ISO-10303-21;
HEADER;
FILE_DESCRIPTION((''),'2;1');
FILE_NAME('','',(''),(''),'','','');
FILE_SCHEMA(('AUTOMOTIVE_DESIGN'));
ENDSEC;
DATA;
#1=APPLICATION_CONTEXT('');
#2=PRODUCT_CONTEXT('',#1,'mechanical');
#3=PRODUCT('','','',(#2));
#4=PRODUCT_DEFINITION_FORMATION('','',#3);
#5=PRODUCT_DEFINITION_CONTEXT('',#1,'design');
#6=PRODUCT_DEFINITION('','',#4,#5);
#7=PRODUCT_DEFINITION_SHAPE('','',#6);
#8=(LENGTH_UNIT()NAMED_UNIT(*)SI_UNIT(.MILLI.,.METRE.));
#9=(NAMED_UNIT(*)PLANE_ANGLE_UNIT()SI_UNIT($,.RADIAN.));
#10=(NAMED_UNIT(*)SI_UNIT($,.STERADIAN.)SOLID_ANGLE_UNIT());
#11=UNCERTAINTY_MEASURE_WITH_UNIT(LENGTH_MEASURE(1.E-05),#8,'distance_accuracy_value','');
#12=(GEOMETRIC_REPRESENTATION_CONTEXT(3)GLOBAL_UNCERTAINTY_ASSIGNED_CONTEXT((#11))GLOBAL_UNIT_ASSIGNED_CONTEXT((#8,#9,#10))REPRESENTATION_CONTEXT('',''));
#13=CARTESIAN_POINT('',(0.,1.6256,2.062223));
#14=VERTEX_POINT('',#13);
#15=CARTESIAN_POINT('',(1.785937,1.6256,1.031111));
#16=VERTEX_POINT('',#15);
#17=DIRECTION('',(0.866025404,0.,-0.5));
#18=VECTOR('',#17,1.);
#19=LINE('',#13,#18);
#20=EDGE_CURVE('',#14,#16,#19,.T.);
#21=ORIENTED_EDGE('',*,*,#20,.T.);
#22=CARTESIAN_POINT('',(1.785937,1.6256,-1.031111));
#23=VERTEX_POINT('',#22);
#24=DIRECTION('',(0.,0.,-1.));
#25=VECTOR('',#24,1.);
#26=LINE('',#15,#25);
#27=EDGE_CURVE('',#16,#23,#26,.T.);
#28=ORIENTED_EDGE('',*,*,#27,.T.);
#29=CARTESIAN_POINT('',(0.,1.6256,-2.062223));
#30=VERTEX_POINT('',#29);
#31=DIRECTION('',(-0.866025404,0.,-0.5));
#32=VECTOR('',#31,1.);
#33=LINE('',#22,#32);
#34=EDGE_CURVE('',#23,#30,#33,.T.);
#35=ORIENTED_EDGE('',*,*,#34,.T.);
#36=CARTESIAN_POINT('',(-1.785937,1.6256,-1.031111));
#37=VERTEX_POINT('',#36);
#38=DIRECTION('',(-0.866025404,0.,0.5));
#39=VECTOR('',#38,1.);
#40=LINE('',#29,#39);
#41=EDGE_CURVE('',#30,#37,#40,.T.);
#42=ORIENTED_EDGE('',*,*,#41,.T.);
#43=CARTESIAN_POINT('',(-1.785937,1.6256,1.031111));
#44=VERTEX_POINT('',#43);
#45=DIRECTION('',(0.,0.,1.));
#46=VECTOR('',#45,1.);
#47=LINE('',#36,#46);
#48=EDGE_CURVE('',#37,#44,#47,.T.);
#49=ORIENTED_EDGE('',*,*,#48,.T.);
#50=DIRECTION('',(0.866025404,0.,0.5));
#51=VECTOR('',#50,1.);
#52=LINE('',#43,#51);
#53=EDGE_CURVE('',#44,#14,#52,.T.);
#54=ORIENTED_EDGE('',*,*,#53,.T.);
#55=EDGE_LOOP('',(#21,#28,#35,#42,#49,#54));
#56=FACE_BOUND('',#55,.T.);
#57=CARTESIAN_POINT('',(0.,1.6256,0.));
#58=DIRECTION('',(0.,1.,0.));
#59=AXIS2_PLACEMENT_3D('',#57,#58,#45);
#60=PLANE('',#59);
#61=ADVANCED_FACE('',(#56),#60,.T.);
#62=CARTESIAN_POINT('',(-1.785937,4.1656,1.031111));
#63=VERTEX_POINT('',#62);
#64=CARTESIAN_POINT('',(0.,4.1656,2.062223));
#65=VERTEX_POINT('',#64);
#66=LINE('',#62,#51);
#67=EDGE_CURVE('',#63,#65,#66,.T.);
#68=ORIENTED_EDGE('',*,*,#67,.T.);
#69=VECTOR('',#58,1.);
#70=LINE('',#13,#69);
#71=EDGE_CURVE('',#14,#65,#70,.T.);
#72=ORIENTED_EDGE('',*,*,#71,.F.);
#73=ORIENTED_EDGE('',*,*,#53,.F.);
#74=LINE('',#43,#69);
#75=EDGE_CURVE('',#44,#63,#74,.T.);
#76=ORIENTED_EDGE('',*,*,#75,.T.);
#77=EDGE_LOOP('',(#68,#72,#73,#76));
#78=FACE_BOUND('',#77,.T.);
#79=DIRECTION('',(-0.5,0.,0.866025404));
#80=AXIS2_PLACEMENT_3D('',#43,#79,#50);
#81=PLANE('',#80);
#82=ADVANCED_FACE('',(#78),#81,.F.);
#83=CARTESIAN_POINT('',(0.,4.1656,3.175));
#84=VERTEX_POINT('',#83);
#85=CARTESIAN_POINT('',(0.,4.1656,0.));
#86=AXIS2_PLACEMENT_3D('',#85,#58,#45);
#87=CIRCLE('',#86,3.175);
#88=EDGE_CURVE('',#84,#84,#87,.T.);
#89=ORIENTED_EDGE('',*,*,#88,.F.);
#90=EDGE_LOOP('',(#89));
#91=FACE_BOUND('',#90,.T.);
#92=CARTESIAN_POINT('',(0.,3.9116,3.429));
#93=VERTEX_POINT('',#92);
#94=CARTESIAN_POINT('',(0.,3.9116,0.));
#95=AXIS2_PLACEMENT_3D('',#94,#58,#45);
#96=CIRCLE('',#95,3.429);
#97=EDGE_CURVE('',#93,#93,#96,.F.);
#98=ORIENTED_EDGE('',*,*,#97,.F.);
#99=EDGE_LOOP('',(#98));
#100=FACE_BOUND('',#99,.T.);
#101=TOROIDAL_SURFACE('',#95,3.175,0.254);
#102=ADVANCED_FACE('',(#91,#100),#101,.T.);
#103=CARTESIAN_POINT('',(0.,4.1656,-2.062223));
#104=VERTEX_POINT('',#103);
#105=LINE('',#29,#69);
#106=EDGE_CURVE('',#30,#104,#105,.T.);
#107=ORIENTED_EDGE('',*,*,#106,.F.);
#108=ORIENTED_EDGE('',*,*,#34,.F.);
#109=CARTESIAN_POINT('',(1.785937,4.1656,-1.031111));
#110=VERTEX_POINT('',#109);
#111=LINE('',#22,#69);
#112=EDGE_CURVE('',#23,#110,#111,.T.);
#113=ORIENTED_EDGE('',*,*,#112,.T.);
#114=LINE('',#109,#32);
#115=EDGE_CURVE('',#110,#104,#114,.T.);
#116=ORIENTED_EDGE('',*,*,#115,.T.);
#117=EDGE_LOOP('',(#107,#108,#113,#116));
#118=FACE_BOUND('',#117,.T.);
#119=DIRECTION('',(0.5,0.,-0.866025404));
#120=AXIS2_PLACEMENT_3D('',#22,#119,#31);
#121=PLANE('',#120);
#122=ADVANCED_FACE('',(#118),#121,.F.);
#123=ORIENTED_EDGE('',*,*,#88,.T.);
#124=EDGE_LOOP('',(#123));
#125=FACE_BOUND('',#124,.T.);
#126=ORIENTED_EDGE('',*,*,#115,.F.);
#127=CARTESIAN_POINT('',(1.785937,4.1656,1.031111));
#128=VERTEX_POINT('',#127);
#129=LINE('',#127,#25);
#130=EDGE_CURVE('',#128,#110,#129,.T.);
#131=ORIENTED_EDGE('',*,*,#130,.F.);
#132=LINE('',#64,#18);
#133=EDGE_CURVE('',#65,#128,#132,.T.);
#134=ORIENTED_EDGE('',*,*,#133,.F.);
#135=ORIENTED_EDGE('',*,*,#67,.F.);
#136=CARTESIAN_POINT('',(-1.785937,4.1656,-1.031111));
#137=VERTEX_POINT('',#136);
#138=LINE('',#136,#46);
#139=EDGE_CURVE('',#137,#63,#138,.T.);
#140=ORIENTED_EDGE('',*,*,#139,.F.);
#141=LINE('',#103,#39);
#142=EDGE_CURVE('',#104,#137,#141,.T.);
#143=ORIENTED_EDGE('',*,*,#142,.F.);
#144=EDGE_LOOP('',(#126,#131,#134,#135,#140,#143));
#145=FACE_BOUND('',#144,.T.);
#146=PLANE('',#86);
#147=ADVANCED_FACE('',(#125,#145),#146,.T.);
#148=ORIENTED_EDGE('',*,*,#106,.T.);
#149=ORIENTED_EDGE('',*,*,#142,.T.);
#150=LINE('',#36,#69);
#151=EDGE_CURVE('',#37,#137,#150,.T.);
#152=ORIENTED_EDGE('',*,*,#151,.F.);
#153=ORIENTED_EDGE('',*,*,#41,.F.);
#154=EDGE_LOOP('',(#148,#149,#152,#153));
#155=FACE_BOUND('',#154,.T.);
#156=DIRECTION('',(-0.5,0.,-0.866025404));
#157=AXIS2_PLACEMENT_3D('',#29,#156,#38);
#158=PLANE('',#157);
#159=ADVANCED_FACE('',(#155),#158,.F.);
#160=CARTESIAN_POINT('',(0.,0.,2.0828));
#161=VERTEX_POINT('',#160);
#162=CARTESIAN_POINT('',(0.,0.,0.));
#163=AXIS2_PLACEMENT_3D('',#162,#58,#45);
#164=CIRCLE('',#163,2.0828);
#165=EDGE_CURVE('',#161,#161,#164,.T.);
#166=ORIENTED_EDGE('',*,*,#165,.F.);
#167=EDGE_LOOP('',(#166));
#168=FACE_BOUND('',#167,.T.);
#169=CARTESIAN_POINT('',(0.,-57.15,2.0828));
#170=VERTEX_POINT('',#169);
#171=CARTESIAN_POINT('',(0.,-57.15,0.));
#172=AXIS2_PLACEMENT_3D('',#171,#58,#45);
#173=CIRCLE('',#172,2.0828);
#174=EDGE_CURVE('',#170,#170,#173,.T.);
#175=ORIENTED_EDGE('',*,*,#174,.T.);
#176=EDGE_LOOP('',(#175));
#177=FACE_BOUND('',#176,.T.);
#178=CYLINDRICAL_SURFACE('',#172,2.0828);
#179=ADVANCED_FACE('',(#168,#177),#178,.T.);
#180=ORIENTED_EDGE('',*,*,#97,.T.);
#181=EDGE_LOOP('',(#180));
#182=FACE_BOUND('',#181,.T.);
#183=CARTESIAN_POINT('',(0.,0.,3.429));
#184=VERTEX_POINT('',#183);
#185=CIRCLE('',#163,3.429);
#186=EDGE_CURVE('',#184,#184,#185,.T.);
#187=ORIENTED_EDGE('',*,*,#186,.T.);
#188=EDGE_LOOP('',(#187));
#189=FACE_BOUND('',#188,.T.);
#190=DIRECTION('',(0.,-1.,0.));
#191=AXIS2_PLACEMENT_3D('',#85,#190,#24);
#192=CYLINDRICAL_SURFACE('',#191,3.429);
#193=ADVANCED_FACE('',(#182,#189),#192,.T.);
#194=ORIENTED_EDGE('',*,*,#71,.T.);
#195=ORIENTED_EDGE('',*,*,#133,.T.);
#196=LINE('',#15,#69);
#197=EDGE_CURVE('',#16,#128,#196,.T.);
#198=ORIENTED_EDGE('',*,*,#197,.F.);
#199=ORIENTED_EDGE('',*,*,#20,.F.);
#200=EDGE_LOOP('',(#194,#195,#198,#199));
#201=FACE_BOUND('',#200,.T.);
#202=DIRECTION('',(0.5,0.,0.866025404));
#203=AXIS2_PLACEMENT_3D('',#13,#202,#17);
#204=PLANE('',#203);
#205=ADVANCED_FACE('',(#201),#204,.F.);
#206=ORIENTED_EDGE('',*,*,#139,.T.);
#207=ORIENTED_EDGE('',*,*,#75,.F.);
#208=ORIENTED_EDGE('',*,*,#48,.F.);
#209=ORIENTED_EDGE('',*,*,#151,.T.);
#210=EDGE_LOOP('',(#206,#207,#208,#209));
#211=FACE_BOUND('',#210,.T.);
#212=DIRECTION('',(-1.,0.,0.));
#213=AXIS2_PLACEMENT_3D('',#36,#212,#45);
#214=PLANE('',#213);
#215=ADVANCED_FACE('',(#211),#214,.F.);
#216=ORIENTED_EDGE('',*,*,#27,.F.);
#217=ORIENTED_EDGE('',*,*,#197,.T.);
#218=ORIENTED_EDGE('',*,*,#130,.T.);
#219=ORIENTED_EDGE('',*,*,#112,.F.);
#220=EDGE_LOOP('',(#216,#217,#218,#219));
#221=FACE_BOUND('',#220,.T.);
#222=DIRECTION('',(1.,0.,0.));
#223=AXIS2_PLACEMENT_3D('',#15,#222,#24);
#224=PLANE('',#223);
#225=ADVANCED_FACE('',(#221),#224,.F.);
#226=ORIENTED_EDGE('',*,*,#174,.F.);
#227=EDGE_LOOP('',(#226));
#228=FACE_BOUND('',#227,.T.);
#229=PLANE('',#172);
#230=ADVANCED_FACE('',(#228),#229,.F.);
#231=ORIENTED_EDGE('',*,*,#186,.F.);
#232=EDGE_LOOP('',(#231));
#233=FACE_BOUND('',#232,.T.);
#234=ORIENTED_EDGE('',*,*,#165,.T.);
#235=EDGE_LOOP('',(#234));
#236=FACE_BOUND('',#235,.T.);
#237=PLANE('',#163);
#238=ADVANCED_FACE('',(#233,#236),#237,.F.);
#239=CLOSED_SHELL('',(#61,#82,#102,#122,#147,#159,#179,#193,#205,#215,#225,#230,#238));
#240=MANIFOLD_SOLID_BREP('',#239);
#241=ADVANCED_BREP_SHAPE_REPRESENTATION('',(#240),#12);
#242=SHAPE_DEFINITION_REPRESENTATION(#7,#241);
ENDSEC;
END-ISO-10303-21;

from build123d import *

# Parameters (mm, degrees)
SKETCH1_R   = 2.0828
SHAFT_DEPTH = 57.15
SKETCH2_R   = 3.429
HEAD_DEPTH  = 4.1656
FILLET1_R   = 0.254
HEX_2_DEPTH = 2.54


with BuildPart() as part:
    # Sketch1 → Shaft (new body)
    with BuildSketch(Plane(origin=(0, 0, 0), x_dir=(1, 0, 0), z_dir=(0, 1, 0))):
        with Locations(Location((0, 0, 0), (0, 0, 270))):
            Circle(SKETCH1_R)
    extrude(amount=-SHAFT_DEPTH)

    # Sketch2 → Head (add)
    with BuildSketch(Plane(origin=(0, 0, 0), x_dir=(1, 0, 0), z_dir=(0, 1, 0))):
        with Locations(Location((0, 0, 0), (0, 0, 270))):
            Circle(SKETCH2_R)
    extrude(amount=HEAD_DEPTH)

    # Fillet1
    fillet1_edges = [part.edges().sort_by_distance(p)[0] for p in [
        (0, 4.1656, -3.429),
    ]]
    fillet(fillet1_edges, radius=FILLET1_R)

    # Sketch3 → Hex 2 (cut)
    with BuildSketch(Plane(origin=(0, 4.1656, 0), x_dir=(1, 0, 0), z_dir=(0, 1, 0))):
        Polygon((0, 2.062222993), (-1.7859375, 1.031111496), (-1.7859375, -1.031111496), (0, -2.062222993), (1.7859375, -1.031111496), (1.7859375, 1.031111496), align=None)
    extrude(amount=-HEX_2_DEPTH, mode=Mode.SUBTRACT)


solid = part.part
